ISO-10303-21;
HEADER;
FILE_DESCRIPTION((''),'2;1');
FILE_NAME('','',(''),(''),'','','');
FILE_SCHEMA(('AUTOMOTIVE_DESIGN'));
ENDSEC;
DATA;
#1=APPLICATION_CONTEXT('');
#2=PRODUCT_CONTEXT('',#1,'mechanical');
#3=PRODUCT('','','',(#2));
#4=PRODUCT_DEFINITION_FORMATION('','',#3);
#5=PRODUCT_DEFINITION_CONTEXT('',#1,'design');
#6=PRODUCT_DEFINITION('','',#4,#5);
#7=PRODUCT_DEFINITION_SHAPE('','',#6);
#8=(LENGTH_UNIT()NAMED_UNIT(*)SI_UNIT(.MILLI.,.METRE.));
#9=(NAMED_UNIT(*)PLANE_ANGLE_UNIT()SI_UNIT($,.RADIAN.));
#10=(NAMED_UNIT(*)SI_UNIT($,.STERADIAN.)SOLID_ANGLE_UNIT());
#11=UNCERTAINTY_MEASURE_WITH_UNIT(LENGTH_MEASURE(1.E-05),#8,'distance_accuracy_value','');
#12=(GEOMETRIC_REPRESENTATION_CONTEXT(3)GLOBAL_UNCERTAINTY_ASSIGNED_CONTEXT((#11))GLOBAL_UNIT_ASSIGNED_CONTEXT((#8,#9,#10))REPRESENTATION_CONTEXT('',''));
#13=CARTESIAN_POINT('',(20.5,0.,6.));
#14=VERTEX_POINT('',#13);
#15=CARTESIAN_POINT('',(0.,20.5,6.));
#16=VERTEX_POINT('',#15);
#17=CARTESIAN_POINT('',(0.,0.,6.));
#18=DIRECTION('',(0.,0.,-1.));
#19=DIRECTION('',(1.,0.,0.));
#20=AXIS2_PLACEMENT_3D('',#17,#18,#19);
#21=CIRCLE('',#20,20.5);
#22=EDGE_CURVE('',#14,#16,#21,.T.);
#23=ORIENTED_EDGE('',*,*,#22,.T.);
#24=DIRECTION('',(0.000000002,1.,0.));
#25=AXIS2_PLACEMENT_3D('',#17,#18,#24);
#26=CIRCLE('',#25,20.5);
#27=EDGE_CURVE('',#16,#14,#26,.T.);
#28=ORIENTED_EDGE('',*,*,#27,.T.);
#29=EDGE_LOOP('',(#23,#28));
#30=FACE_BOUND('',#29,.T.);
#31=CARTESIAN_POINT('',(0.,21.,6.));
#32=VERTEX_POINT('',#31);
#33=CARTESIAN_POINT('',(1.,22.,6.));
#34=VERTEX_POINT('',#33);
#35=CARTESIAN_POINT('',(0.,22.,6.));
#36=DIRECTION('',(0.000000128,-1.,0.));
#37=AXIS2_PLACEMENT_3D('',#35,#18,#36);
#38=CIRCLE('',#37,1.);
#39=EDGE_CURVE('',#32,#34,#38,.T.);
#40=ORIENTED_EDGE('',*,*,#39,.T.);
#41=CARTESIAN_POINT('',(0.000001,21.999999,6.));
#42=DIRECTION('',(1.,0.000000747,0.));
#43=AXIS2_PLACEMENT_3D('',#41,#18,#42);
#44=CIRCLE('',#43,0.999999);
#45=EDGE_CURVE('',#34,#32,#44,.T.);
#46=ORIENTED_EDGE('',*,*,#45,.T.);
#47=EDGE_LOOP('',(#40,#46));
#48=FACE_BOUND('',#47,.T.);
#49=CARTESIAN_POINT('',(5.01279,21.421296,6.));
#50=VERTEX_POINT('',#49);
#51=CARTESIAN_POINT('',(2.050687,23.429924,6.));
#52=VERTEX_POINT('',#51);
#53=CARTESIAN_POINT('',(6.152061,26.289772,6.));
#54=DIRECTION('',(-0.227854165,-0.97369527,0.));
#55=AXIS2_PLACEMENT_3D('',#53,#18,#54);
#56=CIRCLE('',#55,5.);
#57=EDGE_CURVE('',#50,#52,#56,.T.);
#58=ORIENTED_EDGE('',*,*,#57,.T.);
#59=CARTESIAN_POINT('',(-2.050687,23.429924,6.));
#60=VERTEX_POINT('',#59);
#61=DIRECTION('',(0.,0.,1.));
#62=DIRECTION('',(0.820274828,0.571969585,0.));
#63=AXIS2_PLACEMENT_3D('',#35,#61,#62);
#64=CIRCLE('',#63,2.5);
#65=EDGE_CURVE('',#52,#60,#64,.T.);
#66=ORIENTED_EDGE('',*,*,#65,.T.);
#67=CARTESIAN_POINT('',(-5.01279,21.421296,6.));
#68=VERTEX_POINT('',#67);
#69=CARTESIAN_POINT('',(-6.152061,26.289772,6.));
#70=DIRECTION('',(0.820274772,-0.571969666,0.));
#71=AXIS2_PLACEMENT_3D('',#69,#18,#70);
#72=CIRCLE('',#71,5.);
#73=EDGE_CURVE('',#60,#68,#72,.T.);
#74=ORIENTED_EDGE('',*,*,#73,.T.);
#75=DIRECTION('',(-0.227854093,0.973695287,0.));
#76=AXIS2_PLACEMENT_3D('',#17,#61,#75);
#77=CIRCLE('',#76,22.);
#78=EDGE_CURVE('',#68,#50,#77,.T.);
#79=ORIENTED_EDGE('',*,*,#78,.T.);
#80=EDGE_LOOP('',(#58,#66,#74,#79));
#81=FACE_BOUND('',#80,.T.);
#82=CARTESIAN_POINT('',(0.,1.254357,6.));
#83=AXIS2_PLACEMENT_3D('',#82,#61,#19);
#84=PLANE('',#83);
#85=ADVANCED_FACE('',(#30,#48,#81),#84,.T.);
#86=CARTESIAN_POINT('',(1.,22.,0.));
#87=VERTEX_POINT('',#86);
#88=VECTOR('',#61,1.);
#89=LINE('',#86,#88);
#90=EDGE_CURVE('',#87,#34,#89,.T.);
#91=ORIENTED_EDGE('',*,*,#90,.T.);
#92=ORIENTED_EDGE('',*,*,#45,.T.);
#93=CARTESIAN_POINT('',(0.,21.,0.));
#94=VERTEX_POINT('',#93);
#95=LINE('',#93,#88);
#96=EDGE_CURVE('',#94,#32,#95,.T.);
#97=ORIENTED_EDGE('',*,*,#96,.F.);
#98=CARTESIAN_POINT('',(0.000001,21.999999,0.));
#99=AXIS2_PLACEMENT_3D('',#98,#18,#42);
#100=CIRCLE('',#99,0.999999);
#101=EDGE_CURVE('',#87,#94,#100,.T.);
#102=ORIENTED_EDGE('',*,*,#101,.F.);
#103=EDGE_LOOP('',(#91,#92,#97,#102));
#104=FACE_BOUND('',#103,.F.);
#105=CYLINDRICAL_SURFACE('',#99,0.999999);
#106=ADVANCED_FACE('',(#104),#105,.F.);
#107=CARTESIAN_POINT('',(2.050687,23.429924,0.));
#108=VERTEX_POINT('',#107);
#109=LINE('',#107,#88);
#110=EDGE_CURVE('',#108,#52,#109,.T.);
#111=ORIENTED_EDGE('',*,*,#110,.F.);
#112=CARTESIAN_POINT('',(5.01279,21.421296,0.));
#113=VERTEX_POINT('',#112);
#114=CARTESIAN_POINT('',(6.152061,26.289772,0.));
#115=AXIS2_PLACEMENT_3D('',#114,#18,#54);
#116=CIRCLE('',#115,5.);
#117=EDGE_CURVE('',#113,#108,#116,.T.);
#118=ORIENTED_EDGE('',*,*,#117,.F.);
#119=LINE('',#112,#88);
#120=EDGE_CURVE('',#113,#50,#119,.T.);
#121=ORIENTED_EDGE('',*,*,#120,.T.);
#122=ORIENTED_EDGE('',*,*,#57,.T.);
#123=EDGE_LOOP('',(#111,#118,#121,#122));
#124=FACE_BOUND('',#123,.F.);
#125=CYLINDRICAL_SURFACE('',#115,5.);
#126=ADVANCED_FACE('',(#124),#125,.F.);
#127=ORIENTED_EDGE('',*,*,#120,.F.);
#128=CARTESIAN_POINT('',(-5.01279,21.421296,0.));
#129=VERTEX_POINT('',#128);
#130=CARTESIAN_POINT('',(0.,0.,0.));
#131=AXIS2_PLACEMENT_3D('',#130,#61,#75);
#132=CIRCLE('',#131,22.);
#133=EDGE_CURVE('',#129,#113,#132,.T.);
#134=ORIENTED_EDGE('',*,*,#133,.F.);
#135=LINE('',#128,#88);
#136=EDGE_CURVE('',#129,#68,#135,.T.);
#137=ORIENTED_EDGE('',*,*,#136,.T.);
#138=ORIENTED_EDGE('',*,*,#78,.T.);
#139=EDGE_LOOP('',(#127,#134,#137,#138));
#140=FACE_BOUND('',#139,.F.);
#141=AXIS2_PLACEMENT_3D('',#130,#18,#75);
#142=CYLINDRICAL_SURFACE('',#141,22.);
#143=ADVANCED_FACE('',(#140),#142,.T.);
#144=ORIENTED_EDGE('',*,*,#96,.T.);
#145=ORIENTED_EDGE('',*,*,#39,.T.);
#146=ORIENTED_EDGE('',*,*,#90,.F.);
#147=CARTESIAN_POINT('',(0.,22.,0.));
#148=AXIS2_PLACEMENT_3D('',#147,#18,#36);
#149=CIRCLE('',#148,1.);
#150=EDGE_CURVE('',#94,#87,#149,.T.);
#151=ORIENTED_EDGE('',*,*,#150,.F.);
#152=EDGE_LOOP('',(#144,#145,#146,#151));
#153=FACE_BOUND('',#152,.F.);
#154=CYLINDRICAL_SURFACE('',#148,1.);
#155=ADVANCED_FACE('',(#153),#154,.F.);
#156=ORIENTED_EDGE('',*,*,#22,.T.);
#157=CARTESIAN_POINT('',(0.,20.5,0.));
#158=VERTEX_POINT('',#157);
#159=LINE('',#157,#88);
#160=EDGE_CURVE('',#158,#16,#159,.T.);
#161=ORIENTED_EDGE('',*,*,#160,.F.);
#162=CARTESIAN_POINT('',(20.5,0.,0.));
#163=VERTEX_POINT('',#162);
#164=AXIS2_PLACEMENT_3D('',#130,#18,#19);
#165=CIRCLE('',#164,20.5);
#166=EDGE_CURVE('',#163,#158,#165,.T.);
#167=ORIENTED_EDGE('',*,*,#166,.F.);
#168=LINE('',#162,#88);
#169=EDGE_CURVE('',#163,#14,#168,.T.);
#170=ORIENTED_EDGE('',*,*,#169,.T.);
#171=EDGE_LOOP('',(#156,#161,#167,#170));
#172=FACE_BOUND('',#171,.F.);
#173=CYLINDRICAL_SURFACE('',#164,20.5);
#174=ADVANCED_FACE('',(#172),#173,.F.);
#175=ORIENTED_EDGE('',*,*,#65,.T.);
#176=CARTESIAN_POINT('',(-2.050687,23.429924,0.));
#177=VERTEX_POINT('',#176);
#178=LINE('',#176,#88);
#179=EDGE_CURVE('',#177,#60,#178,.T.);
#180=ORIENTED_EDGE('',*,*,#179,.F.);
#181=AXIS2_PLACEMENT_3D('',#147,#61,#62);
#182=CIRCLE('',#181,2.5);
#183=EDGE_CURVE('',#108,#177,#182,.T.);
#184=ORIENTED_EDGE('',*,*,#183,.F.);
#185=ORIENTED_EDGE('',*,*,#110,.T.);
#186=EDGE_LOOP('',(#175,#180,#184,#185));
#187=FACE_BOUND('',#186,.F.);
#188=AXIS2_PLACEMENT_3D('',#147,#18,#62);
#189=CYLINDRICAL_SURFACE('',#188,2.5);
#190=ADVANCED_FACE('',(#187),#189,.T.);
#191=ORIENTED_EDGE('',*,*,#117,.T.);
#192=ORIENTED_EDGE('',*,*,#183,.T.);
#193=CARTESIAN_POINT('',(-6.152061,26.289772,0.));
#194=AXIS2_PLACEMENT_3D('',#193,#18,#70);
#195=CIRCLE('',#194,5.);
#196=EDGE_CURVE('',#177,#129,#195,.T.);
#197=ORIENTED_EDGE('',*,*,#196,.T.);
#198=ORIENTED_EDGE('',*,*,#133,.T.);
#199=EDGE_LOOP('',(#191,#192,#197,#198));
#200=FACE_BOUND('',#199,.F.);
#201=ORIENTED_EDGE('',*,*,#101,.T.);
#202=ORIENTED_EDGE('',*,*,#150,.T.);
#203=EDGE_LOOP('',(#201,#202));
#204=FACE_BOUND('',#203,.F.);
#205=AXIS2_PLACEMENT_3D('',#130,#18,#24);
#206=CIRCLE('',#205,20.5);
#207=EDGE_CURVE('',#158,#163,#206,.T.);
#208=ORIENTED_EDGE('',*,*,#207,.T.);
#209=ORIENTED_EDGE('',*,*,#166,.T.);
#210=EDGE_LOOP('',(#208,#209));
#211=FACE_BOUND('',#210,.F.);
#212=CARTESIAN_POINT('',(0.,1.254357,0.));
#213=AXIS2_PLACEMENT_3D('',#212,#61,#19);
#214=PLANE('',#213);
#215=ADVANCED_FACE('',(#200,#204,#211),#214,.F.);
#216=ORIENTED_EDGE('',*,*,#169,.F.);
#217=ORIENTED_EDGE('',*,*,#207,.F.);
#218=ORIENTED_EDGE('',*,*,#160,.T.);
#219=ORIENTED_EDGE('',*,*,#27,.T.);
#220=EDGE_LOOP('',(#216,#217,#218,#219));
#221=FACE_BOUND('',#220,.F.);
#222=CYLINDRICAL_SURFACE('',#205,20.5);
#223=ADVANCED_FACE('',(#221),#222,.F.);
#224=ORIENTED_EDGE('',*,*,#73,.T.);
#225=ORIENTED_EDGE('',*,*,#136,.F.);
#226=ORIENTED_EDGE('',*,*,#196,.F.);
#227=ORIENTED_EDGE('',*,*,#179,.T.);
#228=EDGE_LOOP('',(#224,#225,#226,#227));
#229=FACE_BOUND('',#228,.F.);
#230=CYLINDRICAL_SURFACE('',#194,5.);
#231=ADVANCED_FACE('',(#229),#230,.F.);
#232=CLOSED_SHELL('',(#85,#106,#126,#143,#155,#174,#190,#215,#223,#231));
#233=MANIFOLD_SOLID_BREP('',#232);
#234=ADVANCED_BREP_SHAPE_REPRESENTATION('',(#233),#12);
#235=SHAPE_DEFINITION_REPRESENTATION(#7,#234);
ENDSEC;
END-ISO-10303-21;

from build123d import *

# Parameters (mm, degrees)
F1_DEPTH = 6


with BuildPart() as f1:
    # F0 (on Top) → F1 (new body)
    with BuildSketch(Plane.XY):
        with BuildLine():
            ThreePointArc((-2.050687, 23.429924), (-3.345865, 22.151504), (-5.01279, 21.421296))
            ThreePointArc((-5.01279, 21.421296), (0, -22), (5.01279, 21.421296))
            ThreePointArc((5.01279, 21.421296), (3.345865, 22.151504), (2.050687, 23.429924))
            ThreePointArc((2.050687, 23.429924), (0, 24.5), (-2.050687, 23.429924))
        make_face()
        with BuildLine():
            ThreePointArc((0, 20.5), (14.495689, 14.495689), (20.5, 0))
            ThreePointArc((20.5, 0), (-14.495689, -14.495689), (0, 20.5))
        make_face(mode=Mode.SUBTRACT)
        with BuildLine():
            ThreePointArc((1, 22), (0.707107, 21.292893), (0, 21))
            ThreePointArc((0, 21), (-0.707107, 22.707107), (1, 22))
        make_face(mode=Mode.SUBTRACT)
    extrude(amount=F1_DEPTH)


solid = f1.part
